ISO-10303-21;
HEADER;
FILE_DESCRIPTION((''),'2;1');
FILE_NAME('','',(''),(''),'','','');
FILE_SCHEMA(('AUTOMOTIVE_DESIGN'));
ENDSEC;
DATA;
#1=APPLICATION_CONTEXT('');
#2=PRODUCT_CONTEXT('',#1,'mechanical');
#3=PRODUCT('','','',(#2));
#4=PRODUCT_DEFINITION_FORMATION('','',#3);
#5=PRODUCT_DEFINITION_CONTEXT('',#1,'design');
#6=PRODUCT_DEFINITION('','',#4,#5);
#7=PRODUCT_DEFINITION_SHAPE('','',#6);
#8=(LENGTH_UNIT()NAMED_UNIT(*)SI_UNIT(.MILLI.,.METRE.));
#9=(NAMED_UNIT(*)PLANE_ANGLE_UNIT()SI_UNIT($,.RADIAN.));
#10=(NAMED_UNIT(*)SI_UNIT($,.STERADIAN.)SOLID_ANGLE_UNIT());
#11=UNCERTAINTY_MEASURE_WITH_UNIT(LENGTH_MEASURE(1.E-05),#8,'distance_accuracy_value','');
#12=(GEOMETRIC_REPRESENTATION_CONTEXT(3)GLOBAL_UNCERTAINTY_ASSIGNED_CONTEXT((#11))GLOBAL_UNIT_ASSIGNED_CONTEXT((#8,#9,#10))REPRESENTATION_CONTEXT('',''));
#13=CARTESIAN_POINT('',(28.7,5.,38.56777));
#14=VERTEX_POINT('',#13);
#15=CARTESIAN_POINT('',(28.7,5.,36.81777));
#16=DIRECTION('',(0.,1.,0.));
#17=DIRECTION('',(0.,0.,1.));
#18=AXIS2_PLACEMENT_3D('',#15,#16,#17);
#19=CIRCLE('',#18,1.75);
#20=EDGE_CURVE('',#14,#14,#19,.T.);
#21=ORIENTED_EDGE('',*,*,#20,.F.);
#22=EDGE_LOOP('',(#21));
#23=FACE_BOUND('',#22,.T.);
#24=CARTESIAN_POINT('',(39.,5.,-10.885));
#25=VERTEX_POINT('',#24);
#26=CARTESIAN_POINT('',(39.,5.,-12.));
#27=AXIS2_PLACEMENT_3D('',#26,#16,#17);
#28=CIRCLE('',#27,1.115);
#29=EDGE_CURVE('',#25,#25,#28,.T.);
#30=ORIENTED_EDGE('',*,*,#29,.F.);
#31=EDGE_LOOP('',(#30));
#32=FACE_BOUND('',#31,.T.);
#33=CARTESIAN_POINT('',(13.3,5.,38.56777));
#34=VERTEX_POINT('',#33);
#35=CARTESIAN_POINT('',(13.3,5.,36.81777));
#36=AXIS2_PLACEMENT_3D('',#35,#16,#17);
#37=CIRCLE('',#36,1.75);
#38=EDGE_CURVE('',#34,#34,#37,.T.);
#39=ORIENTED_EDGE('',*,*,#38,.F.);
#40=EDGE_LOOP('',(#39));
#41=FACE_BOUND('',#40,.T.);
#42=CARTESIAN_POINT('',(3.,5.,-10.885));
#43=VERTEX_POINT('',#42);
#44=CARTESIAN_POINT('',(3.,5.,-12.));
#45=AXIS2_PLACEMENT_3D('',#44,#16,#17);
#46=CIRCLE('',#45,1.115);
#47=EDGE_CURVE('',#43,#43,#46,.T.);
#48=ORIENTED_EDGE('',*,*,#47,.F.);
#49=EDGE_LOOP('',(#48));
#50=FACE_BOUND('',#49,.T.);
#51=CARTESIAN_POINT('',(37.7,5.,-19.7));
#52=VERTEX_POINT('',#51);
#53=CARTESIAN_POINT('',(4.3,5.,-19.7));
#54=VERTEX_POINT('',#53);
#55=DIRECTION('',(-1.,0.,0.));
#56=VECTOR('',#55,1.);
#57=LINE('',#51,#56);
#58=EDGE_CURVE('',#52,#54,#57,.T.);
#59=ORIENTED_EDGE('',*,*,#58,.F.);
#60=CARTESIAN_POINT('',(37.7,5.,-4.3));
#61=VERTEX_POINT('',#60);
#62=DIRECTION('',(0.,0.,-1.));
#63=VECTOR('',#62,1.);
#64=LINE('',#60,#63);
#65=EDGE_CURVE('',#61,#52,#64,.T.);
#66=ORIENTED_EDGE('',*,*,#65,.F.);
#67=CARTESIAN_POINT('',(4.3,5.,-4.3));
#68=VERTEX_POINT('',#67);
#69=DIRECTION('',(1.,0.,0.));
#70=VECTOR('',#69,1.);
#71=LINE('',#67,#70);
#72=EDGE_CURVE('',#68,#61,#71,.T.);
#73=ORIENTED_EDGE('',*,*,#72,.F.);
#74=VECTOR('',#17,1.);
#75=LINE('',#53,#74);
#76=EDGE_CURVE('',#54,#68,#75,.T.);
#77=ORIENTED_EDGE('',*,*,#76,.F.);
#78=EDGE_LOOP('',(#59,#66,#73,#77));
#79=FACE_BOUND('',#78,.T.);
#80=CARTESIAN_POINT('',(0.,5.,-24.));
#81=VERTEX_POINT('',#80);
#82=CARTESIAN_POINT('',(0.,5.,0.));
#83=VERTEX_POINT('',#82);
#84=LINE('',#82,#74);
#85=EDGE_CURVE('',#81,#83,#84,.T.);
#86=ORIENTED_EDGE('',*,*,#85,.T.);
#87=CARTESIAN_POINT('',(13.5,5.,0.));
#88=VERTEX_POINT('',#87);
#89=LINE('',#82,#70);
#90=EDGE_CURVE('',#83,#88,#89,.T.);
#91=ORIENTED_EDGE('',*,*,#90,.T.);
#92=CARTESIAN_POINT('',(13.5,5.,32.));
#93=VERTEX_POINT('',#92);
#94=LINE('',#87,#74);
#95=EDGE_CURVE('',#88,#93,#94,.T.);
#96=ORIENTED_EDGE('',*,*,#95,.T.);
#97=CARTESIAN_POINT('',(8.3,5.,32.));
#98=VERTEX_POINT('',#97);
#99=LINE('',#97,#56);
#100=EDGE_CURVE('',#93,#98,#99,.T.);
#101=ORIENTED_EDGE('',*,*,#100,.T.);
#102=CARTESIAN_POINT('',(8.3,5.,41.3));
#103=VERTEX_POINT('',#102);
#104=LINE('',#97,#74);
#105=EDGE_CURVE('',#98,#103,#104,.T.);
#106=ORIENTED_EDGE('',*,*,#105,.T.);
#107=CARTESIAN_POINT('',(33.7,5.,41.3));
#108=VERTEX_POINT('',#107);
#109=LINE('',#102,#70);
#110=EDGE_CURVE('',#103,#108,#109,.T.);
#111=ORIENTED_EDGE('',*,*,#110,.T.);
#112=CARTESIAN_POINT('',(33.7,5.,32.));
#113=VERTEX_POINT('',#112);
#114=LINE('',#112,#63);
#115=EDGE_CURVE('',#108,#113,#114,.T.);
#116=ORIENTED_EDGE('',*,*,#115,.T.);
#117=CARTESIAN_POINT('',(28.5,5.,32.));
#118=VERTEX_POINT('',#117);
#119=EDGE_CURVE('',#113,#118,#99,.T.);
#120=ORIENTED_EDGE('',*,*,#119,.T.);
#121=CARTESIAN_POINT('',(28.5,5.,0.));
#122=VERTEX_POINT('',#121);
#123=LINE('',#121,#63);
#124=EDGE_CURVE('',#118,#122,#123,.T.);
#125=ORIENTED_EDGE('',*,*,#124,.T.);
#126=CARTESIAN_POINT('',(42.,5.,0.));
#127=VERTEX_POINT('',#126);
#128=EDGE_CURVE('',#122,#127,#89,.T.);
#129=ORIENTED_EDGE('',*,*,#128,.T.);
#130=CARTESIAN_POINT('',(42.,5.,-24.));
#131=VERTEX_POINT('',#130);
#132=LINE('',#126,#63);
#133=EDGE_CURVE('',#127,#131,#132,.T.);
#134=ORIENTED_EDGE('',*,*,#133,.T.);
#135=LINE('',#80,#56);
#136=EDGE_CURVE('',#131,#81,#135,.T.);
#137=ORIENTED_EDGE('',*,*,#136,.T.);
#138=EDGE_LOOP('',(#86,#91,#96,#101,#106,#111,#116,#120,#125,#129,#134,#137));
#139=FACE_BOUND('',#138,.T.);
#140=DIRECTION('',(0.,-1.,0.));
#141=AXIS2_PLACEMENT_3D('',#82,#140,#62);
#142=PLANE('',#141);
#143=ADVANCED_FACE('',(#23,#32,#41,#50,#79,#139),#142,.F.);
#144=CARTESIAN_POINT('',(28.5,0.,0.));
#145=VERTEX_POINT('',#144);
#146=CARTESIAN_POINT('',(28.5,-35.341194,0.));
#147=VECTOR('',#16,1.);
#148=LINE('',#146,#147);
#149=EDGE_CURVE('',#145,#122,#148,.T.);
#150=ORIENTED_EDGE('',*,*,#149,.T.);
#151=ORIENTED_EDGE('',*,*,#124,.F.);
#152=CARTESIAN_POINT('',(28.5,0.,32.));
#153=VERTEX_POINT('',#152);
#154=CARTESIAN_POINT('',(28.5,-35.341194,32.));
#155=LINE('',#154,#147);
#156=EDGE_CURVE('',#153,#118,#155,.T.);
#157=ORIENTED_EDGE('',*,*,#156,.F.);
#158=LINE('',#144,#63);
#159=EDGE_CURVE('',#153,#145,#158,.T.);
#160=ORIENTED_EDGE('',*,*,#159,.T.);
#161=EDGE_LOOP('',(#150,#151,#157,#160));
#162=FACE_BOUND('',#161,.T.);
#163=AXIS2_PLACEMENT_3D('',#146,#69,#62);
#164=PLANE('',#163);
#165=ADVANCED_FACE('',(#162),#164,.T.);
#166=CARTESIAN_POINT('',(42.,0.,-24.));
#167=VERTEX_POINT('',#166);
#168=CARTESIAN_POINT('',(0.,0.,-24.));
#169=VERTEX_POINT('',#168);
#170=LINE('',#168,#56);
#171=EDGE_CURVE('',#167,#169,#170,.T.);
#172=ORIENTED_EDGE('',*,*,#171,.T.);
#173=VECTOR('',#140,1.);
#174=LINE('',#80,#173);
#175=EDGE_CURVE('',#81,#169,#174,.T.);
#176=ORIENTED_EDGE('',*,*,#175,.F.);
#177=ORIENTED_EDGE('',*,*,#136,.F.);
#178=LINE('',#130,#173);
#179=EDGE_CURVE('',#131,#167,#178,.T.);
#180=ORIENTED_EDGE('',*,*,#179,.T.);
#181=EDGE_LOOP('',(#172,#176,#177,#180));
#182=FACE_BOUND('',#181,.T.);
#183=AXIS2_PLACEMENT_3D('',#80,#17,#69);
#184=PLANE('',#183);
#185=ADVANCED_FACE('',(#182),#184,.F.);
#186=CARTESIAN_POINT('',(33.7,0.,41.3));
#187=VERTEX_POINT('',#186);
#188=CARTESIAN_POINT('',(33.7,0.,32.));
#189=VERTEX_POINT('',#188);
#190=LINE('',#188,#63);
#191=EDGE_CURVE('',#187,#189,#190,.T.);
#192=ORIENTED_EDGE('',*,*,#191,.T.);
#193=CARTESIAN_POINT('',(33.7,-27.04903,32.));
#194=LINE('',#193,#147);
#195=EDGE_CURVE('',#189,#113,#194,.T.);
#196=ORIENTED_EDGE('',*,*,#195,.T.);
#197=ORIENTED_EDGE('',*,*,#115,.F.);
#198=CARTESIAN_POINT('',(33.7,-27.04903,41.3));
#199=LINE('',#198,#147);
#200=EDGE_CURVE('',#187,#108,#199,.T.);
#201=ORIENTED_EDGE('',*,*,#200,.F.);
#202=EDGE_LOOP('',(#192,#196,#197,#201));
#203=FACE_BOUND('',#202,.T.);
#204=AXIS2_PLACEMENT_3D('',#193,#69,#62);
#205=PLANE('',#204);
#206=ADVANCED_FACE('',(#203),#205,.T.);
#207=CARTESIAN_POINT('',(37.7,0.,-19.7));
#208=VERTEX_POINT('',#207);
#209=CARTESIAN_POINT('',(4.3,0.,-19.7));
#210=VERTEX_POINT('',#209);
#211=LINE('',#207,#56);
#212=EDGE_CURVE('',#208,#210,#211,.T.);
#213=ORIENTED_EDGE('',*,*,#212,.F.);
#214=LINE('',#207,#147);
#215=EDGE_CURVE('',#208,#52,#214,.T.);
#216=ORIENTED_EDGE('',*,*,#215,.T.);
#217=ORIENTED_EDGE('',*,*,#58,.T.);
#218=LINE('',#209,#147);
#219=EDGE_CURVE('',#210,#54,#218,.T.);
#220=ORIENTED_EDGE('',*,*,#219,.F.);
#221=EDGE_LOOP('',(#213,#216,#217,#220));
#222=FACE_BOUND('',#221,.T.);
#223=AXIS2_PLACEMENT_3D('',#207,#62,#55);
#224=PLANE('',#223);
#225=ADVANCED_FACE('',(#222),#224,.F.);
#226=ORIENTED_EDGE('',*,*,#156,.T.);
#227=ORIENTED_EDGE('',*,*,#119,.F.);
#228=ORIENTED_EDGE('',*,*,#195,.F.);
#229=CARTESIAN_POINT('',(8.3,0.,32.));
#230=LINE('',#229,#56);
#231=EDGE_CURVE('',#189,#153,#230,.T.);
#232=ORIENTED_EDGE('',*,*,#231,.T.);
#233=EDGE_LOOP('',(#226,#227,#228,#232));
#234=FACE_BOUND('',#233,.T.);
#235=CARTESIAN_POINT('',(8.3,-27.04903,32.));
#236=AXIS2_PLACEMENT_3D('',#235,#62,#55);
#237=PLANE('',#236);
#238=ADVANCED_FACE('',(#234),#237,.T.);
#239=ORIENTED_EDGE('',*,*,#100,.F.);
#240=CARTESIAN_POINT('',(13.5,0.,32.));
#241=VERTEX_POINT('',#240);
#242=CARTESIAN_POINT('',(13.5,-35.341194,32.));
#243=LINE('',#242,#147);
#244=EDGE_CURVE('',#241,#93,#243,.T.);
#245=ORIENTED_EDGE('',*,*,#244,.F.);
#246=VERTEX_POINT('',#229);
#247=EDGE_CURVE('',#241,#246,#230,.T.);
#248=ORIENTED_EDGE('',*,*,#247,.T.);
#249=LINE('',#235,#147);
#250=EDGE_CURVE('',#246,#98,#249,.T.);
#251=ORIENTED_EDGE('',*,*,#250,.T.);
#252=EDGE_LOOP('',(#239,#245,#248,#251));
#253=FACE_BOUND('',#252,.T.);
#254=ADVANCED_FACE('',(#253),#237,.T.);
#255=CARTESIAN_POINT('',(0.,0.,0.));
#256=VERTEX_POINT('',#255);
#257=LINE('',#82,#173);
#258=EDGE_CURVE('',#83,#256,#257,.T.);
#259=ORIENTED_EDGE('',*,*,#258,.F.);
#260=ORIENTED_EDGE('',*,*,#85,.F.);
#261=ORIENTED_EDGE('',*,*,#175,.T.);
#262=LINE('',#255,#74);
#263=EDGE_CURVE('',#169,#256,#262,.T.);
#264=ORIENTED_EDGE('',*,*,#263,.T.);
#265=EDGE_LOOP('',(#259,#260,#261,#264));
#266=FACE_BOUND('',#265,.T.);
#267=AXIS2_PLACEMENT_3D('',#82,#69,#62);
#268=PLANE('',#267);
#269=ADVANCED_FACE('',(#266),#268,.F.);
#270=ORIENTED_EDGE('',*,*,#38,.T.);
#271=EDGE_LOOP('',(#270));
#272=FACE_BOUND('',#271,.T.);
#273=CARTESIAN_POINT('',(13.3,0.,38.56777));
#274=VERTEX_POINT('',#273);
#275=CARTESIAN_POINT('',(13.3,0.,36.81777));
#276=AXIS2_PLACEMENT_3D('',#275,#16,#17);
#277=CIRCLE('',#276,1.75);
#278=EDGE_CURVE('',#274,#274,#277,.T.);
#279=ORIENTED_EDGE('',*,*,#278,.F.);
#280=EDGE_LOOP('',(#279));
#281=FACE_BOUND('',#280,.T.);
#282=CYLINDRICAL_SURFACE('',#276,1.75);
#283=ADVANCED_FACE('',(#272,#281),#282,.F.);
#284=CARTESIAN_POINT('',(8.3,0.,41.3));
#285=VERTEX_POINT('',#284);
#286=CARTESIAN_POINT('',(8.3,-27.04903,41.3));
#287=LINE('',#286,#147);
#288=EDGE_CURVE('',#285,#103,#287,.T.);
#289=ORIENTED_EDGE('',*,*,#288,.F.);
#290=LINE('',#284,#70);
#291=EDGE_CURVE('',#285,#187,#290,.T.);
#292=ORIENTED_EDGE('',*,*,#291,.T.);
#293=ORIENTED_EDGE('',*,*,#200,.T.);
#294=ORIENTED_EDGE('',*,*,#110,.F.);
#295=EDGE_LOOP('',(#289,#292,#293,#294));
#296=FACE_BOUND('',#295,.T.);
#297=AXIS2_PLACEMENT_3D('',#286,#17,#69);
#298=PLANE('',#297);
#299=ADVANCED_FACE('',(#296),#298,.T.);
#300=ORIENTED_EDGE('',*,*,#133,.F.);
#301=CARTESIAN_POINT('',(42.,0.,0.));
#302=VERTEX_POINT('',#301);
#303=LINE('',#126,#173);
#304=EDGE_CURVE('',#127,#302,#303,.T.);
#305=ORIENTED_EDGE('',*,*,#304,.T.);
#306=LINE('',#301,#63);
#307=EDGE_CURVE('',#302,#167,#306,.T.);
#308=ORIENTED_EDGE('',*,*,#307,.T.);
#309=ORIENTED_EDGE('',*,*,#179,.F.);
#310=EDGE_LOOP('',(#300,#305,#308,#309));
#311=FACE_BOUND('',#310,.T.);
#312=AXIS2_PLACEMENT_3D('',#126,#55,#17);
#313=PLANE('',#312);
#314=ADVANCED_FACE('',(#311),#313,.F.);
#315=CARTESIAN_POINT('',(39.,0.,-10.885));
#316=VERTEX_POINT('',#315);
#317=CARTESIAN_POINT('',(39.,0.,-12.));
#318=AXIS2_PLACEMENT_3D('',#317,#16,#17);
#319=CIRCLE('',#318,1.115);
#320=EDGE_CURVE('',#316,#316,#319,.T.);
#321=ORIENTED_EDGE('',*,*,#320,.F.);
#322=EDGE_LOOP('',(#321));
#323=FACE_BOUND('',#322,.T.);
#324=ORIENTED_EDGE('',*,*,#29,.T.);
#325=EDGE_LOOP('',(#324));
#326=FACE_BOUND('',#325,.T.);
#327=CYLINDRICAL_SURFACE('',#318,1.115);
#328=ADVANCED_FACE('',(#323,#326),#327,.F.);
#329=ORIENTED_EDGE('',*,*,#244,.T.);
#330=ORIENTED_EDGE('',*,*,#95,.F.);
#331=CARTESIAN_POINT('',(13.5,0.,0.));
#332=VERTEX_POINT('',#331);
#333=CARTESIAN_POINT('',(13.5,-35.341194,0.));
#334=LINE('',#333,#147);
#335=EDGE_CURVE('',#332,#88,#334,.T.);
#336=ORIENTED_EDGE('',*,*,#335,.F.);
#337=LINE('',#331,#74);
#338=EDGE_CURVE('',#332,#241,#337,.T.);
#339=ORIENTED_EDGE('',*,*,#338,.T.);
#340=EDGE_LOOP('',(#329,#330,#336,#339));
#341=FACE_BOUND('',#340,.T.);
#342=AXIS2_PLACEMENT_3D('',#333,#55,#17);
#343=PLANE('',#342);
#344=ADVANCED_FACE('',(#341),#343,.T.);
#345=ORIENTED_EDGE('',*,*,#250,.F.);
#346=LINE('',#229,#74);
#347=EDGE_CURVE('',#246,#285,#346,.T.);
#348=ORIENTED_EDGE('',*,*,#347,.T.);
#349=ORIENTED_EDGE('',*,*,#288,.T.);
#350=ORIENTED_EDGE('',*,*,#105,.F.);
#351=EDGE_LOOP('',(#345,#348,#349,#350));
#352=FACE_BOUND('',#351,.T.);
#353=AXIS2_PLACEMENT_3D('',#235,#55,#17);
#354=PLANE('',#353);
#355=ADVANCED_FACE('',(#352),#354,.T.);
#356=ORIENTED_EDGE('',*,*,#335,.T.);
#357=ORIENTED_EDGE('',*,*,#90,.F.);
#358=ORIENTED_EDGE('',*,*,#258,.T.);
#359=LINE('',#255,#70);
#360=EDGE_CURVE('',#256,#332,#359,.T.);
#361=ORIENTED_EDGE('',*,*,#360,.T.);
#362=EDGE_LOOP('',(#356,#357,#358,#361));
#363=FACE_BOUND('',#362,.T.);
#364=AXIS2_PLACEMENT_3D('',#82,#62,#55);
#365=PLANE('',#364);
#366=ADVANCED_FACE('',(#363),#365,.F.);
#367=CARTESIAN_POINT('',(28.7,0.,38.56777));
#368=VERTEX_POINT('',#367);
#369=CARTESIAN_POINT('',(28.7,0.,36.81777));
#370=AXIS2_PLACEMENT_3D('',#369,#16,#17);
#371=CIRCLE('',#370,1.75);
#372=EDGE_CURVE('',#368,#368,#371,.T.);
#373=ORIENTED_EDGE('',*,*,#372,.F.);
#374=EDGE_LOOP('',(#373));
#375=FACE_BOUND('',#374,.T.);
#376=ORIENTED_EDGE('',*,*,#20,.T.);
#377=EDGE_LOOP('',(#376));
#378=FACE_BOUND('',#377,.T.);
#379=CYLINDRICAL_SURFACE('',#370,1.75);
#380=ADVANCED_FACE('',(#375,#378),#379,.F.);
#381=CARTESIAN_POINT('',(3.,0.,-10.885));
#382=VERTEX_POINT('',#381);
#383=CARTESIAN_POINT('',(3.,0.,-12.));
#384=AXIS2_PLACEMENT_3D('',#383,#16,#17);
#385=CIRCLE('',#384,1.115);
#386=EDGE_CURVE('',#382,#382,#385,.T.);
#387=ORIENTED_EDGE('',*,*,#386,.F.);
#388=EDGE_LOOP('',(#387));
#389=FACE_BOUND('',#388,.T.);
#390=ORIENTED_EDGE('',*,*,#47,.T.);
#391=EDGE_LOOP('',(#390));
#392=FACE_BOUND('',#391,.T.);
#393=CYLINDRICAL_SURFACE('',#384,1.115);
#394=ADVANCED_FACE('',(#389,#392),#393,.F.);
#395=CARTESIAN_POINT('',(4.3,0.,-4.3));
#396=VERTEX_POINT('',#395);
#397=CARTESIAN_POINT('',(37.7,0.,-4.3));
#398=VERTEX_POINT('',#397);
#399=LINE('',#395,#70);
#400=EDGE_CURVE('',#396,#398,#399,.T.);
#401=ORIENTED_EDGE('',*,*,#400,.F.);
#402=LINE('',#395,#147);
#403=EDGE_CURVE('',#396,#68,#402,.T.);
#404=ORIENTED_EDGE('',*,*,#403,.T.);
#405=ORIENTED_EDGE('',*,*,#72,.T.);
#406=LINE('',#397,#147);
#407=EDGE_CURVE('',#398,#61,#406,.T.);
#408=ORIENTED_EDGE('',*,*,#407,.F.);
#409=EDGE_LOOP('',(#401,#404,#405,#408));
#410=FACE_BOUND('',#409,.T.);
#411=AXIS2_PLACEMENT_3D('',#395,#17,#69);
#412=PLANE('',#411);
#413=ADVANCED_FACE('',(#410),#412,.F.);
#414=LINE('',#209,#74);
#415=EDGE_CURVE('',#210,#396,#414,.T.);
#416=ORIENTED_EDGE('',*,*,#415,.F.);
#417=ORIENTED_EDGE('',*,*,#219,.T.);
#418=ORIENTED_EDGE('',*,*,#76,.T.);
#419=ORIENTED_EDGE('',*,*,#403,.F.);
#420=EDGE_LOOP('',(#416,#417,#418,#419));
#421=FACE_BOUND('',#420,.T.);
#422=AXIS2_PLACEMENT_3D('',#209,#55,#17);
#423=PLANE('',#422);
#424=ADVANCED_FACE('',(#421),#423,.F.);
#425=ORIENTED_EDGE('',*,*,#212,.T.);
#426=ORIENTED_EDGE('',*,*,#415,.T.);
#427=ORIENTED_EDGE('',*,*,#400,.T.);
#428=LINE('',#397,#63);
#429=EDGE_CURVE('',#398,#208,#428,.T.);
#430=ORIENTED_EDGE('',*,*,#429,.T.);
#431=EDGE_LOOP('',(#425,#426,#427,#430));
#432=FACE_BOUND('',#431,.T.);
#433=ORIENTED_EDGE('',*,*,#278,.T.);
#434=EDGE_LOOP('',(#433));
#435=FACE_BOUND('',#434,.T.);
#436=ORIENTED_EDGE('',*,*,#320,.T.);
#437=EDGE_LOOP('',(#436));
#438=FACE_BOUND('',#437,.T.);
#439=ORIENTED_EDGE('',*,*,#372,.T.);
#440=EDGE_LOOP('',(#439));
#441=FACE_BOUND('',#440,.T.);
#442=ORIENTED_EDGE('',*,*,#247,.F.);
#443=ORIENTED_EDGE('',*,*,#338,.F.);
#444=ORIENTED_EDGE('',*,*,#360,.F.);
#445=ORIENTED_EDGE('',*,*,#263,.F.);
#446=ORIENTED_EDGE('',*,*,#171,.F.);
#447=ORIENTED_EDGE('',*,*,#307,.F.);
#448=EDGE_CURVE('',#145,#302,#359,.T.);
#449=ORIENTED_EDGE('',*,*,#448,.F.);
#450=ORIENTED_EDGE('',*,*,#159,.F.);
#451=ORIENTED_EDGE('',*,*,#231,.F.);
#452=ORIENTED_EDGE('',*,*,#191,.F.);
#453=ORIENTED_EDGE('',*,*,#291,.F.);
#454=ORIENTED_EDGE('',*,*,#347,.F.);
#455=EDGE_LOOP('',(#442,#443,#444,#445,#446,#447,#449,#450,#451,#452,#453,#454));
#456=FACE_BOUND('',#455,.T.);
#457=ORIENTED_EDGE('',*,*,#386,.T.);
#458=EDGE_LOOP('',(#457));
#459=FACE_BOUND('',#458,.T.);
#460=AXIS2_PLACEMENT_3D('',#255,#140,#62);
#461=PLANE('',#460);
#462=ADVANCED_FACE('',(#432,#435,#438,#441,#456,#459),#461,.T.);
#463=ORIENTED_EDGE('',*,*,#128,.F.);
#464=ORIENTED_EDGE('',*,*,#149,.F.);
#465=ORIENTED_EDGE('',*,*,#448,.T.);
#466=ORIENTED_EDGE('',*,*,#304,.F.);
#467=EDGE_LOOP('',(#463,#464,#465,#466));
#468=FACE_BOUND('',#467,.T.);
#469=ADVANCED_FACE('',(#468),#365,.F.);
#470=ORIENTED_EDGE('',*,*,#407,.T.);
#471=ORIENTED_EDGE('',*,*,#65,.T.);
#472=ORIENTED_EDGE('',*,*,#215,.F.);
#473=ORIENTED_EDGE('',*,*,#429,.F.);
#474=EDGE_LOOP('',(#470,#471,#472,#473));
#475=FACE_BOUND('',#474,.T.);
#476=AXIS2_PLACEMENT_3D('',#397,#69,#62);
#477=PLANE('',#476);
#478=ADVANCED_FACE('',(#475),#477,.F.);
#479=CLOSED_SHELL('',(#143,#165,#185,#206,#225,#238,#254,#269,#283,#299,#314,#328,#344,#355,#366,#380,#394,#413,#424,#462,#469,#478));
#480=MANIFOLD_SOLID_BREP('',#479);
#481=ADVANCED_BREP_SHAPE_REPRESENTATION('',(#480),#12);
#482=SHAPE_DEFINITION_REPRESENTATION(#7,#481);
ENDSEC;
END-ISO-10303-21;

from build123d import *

# Parameters (mm, degrees)
SKETCH1_W           = 42
SKETCH1_H           = 24
BOSS_EXTRUDE1_DEPTH = 5
SKETCH2_W           = 33.4
SKETCH2_H           = 15.4
CUT_EXTRUDE1_DEPTH  = 6
SKETCH3_W           = 15
SKETCH3_H           = 32
BOSS_EXTRUDE2_DEPTH = 5
SKETCH4_W           = 25.4
SKETCH4_H           = 9.3
BOSS_EXTRUDE3_DEPTH = 5
SKETCH5_R           = 1.75
CUT_EXTRUDE2_DEPTH  = 6
SKETCH6_R           = 1.115
CUT_EXTRUDE3_DEPTH  = 6


with BuildPart() as part:
    # Sketch1 → Boss-Extrude1 (new body)
    with BuildSketch(Plane(origin=(0, 0, 0), x_dir=(1, 0, 0), z_dir=(0, 1, 0))):
        with Locations((21, 12)):
            Rectangle(SKETCH1_W, SKETCH1_H)
    extrude(amount=BOSS_EXTRUDE1_DEPTH)

    # Sketch2 → Cut-Extrude1 (cut, through all)
    with BuildSketch(Plane(origin=(0, 5, 0), x_dir=(1, 0, 0), z_dir=(0, 1, 0))):
        with Locations((21, 12)):
            Rectangle(SKETCH2_W, SKETCH2_H)
    extrude(amount=-CUT_EXTRUDE1_DEPTH, mode=Mode.SUBTRACT)

    # Sketch3 → Boss-Extrude2 (add)
    with BuildSketch(Plane(origin=(0, 5, 0), x_dir=(1, 0, 0), z_dir=(0, 1, 0))):
        with Locations((21, -16)):
            Rectangle(SKETCH3_W, SKETCH3_H)
    extrude(amount=-BOSS_EXTRUDE2_DEPTH)

    # Sketch4 → Boss-Extrude3 (add)
    with BuildSketch(Plane(origin=(0, 5, 0), x_dir=(1, 0, 0), z_dir=(0, 1, 0))):
        with Locations((21, -36.65)):
            Rectangle(SKETCH4_W, SKETCH4_H)
    extrude(amount=-BOSS_EXTRUDE3_DEPTH)

    # Sketch5 → Cut-Extrude2 (cut, through all)
    with BuildSketch(Plane(origin=(0, 5, 0), x_dir=(1, 0, 0), z_dir=(0, 1, 0))):
        with Locations((13.3, -36.81777032)):
            Circle(SKETCH5_R)
        with Locations((28.7, -36.81777032)):
            Circle(SKETCH5_R)
    extrude(amount=-CUT_EXTRUDE2_DEPTH, mode=Mode.SUBTRACT)

    # Sketch6 → Cut-Extrude3 (cut, through all)
    with BuildSketch(Plane(origin=(0, 5, 0), x_dir=(1, 0, 0), z_dir=(0, 1, 0))):
        with Locations((3, 12)):
            Circle(SKETCH6_R)
        with Locations((39, 12)):
            Circle(SKETCH6_R)
    extrude(amount=-CUT_EXTRUDE3_DEPTH, mode=Mode.SUBTRACT)


solid = part.part
